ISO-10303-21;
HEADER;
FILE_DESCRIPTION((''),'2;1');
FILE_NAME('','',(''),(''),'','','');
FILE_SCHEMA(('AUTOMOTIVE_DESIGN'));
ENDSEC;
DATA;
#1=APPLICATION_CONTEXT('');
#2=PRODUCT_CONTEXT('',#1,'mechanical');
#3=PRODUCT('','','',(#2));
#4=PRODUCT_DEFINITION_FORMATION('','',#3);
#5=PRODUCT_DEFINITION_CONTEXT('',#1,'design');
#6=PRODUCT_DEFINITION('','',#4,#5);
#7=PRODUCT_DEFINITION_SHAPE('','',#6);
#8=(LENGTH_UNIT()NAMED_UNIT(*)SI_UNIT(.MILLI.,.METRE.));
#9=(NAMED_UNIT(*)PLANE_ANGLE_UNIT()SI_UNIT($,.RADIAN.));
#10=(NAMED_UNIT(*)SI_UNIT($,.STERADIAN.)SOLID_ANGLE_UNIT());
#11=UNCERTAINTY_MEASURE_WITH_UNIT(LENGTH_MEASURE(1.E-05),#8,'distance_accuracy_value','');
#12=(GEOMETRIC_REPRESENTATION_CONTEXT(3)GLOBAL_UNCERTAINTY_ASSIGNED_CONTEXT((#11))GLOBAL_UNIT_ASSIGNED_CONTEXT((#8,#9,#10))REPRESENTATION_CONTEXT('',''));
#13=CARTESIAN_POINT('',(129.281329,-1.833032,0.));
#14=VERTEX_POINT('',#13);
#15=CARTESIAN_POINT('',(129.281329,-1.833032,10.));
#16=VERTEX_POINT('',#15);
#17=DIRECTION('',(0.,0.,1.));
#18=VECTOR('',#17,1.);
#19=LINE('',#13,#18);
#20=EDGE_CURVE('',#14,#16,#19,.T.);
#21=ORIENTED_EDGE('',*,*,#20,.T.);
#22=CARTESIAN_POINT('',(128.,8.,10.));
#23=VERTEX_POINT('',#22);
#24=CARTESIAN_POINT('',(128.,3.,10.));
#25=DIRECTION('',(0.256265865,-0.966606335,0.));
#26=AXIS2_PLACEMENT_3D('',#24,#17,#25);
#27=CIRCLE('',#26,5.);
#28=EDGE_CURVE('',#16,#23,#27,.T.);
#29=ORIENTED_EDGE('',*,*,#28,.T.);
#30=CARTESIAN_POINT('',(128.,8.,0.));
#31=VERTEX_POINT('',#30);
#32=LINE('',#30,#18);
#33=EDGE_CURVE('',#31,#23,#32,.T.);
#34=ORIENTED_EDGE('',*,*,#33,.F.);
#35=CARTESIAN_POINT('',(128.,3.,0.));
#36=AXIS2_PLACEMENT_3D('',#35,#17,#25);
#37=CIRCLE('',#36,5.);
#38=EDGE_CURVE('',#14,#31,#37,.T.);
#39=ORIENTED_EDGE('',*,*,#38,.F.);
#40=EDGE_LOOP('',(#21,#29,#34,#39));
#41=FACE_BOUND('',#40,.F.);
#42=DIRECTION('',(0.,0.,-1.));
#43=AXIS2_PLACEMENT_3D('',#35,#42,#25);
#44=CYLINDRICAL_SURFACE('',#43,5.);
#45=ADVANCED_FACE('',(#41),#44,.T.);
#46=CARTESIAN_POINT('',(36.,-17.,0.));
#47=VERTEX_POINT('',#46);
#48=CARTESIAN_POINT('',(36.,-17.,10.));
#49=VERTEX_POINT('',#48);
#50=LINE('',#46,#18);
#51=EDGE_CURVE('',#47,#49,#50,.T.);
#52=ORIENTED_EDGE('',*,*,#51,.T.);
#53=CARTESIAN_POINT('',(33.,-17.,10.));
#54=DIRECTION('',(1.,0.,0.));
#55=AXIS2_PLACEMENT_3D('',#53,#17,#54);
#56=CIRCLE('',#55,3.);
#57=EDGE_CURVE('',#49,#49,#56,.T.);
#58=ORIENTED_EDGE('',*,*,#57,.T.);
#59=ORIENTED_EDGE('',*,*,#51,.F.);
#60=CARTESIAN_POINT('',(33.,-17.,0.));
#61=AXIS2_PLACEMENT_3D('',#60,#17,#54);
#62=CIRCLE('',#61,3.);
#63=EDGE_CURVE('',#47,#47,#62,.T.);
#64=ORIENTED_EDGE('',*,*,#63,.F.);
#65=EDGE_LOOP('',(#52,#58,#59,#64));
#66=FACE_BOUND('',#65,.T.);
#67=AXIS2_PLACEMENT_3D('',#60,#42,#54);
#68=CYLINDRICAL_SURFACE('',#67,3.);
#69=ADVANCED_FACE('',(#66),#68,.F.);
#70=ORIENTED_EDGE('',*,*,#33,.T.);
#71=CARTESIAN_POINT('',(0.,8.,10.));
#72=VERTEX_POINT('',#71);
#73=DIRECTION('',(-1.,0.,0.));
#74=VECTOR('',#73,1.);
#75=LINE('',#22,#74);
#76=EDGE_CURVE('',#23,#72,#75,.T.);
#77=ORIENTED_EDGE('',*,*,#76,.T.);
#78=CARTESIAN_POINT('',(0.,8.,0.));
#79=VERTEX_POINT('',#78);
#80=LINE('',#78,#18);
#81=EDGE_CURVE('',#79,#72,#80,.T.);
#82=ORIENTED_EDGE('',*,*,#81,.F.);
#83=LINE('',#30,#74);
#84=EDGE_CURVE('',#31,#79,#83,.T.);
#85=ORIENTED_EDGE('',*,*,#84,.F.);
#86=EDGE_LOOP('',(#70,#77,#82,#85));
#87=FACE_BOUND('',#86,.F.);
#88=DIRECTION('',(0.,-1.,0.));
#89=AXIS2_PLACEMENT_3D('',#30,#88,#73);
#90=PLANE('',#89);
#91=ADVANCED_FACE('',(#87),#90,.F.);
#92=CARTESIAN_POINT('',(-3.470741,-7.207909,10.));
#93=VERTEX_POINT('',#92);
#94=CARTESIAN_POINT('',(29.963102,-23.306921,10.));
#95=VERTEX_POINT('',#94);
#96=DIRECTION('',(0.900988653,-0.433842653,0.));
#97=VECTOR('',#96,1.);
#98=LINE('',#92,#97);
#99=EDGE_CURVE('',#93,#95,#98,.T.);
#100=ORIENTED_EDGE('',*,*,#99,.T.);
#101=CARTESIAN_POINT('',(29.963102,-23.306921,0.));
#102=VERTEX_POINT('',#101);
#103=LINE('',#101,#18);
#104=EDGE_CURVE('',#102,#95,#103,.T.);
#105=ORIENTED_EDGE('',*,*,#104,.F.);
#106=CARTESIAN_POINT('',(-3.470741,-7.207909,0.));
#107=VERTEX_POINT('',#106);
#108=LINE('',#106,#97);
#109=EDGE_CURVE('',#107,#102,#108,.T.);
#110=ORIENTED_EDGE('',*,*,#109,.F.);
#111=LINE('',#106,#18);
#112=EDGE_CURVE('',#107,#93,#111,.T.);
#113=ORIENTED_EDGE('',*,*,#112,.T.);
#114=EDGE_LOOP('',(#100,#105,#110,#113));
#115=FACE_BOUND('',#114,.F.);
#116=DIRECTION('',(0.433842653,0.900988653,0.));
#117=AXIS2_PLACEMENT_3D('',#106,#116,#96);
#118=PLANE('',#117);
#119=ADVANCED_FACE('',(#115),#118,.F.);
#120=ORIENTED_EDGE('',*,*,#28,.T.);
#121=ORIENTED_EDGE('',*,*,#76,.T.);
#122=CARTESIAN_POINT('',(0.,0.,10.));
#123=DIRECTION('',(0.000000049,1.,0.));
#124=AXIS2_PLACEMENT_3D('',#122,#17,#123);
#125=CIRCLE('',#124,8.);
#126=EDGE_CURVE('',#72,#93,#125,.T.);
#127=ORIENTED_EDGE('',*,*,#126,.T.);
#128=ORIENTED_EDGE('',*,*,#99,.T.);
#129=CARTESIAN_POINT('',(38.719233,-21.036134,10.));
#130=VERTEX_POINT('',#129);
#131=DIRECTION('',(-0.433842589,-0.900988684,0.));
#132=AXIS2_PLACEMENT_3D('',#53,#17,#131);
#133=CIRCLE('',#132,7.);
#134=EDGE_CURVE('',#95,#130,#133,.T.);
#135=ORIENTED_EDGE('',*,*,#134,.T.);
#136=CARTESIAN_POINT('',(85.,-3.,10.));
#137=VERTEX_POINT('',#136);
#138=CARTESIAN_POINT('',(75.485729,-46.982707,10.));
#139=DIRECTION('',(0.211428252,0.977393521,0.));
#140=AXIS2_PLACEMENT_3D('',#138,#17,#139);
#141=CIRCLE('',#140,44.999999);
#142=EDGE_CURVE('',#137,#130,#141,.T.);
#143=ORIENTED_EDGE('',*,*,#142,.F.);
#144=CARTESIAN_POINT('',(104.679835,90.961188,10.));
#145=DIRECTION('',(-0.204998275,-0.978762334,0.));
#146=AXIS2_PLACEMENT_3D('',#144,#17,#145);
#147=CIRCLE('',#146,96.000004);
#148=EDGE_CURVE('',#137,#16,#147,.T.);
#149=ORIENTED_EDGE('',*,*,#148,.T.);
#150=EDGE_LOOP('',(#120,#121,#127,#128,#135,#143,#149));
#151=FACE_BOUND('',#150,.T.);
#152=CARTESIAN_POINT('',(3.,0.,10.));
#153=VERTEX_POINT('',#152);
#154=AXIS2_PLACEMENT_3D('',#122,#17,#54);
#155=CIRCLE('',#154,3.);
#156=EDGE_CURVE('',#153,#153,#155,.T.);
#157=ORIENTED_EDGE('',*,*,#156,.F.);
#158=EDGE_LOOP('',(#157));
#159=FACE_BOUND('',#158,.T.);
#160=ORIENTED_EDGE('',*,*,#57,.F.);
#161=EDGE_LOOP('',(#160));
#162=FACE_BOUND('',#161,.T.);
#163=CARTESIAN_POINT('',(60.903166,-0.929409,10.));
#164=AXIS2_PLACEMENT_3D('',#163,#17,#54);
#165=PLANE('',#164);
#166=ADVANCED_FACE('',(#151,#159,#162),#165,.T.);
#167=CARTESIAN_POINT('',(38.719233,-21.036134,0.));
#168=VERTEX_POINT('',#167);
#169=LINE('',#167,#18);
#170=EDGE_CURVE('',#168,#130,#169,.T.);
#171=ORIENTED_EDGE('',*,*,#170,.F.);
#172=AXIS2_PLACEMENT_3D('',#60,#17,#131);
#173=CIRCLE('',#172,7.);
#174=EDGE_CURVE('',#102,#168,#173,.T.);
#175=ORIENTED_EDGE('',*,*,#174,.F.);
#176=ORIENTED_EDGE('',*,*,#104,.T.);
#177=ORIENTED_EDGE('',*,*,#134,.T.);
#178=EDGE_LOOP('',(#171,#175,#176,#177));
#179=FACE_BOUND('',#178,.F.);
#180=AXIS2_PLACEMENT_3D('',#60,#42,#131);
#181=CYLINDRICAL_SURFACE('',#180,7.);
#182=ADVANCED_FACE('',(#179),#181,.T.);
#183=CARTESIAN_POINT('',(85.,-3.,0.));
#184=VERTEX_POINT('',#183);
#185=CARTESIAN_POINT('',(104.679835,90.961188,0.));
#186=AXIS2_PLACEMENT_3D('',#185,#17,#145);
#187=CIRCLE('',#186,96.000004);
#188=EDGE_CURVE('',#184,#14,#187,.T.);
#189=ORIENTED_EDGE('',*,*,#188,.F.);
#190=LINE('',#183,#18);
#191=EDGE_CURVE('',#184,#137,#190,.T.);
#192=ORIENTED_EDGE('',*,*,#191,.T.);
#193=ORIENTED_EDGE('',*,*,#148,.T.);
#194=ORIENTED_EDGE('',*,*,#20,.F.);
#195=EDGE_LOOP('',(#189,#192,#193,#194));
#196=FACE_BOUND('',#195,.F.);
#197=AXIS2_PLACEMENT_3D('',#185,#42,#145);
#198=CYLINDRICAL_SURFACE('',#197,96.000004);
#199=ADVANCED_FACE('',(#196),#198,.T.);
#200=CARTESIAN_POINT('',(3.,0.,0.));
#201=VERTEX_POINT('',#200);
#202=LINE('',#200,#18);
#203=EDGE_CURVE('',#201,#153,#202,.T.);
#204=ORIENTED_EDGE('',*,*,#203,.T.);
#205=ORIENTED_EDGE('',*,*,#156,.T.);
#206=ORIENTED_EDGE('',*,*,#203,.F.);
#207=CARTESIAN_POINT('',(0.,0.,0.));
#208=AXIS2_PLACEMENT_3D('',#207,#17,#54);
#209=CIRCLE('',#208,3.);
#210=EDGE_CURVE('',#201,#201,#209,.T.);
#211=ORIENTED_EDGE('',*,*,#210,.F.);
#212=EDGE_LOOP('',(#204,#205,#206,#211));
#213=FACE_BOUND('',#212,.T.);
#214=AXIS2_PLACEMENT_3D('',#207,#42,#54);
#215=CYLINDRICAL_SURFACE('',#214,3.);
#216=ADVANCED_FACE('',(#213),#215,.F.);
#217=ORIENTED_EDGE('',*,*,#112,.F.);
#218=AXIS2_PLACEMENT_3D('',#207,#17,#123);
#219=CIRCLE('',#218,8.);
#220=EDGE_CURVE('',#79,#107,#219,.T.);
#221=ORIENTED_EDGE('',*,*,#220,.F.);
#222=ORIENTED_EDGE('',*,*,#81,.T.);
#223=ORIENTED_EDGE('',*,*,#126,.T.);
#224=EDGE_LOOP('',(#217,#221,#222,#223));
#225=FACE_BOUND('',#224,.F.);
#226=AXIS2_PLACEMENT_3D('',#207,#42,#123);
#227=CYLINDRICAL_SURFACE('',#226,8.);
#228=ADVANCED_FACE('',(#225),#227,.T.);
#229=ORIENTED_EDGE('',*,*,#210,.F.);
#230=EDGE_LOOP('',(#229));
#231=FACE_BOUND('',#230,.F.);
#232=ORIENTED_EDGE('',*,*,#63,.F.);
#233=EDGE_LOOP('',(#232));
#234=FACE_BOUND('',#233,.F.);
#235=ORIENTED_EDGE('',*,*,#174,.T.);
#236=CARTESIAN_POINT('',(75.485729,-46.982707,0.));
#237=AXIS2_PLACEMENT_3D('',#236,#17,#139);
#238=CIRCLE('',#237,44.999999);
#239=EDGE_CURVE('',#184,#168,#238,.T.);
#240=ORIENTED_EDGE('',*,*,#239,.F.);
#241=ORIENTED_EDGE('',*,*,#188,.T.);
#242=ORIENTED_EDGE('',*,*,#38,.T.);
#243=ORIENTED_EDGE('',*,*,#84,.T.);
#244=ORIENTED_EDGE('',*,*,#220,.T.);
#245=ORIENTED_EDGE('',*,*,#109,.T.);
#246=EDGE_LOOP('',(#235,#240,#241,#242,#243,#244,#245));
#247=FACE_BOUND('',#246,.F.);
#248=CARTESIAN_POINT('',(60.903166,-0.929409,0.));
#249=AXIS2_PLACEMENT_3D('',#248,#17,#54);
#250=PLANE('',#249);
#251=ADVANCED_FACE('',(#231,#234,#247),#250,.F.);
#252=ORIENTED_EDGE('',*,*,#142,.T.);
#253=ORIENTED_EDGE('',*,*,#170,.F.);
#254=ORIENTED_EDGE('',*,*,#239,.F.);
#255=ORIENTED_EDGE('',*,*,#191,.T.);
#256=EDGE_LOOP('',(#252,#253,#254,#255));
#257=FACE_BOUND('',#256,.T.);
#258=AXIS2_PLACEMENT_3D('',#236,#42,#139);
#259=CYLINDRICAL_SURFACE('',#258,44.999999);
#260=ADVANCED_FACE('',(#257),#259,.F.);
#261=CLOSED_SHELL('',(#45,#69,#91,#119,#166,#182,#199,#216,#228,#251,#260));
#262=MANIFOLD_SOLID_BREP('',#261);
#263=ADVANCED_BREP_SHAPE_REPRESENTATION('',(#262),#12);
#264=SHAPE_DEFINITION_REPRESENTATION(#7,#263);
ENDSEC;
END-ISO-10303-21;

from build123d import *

# Parameters (mm, degrees)
SKETCH_R  = 3
PAD_DEPTH = 10


with BuildPart() as part:
    # Sketch → Pad (new body)
    with BuildSketch(Plane.XY):
        with BuildLine():
            Line((128, 8), (0, 8))
            ThreePointArc((0, 8), (-7.799464, 1.77999), (-3.470741, -7.207909))
            Line((-3.470741, -7.207909), (29.963102, -23.306921))
            ThreePointArc((29.963102, -23.306921), (34.757227, -23.775851), (38.719233, -21.036134))
            ThreePointArc((85, -3), (59.145702, -5.054156), (38.719233, -21.036134))
            ThreePointArc((85, -3), (107.208893, -5.005497), (129.281329, -1.833032))
            ThreePointArc((129.281329, -1.833032), (132.958082, 3.646081), (128, 8))
        make_face()
        with Locations((33, -17)):
            Circle(SKETCH_R, mode=Mode.SUBTRACT)
        Circle(SKETCH_R, mode=Mode.SUBTRACT)
    extrude(amount=PAD_DEPTH)


solid = part.part
